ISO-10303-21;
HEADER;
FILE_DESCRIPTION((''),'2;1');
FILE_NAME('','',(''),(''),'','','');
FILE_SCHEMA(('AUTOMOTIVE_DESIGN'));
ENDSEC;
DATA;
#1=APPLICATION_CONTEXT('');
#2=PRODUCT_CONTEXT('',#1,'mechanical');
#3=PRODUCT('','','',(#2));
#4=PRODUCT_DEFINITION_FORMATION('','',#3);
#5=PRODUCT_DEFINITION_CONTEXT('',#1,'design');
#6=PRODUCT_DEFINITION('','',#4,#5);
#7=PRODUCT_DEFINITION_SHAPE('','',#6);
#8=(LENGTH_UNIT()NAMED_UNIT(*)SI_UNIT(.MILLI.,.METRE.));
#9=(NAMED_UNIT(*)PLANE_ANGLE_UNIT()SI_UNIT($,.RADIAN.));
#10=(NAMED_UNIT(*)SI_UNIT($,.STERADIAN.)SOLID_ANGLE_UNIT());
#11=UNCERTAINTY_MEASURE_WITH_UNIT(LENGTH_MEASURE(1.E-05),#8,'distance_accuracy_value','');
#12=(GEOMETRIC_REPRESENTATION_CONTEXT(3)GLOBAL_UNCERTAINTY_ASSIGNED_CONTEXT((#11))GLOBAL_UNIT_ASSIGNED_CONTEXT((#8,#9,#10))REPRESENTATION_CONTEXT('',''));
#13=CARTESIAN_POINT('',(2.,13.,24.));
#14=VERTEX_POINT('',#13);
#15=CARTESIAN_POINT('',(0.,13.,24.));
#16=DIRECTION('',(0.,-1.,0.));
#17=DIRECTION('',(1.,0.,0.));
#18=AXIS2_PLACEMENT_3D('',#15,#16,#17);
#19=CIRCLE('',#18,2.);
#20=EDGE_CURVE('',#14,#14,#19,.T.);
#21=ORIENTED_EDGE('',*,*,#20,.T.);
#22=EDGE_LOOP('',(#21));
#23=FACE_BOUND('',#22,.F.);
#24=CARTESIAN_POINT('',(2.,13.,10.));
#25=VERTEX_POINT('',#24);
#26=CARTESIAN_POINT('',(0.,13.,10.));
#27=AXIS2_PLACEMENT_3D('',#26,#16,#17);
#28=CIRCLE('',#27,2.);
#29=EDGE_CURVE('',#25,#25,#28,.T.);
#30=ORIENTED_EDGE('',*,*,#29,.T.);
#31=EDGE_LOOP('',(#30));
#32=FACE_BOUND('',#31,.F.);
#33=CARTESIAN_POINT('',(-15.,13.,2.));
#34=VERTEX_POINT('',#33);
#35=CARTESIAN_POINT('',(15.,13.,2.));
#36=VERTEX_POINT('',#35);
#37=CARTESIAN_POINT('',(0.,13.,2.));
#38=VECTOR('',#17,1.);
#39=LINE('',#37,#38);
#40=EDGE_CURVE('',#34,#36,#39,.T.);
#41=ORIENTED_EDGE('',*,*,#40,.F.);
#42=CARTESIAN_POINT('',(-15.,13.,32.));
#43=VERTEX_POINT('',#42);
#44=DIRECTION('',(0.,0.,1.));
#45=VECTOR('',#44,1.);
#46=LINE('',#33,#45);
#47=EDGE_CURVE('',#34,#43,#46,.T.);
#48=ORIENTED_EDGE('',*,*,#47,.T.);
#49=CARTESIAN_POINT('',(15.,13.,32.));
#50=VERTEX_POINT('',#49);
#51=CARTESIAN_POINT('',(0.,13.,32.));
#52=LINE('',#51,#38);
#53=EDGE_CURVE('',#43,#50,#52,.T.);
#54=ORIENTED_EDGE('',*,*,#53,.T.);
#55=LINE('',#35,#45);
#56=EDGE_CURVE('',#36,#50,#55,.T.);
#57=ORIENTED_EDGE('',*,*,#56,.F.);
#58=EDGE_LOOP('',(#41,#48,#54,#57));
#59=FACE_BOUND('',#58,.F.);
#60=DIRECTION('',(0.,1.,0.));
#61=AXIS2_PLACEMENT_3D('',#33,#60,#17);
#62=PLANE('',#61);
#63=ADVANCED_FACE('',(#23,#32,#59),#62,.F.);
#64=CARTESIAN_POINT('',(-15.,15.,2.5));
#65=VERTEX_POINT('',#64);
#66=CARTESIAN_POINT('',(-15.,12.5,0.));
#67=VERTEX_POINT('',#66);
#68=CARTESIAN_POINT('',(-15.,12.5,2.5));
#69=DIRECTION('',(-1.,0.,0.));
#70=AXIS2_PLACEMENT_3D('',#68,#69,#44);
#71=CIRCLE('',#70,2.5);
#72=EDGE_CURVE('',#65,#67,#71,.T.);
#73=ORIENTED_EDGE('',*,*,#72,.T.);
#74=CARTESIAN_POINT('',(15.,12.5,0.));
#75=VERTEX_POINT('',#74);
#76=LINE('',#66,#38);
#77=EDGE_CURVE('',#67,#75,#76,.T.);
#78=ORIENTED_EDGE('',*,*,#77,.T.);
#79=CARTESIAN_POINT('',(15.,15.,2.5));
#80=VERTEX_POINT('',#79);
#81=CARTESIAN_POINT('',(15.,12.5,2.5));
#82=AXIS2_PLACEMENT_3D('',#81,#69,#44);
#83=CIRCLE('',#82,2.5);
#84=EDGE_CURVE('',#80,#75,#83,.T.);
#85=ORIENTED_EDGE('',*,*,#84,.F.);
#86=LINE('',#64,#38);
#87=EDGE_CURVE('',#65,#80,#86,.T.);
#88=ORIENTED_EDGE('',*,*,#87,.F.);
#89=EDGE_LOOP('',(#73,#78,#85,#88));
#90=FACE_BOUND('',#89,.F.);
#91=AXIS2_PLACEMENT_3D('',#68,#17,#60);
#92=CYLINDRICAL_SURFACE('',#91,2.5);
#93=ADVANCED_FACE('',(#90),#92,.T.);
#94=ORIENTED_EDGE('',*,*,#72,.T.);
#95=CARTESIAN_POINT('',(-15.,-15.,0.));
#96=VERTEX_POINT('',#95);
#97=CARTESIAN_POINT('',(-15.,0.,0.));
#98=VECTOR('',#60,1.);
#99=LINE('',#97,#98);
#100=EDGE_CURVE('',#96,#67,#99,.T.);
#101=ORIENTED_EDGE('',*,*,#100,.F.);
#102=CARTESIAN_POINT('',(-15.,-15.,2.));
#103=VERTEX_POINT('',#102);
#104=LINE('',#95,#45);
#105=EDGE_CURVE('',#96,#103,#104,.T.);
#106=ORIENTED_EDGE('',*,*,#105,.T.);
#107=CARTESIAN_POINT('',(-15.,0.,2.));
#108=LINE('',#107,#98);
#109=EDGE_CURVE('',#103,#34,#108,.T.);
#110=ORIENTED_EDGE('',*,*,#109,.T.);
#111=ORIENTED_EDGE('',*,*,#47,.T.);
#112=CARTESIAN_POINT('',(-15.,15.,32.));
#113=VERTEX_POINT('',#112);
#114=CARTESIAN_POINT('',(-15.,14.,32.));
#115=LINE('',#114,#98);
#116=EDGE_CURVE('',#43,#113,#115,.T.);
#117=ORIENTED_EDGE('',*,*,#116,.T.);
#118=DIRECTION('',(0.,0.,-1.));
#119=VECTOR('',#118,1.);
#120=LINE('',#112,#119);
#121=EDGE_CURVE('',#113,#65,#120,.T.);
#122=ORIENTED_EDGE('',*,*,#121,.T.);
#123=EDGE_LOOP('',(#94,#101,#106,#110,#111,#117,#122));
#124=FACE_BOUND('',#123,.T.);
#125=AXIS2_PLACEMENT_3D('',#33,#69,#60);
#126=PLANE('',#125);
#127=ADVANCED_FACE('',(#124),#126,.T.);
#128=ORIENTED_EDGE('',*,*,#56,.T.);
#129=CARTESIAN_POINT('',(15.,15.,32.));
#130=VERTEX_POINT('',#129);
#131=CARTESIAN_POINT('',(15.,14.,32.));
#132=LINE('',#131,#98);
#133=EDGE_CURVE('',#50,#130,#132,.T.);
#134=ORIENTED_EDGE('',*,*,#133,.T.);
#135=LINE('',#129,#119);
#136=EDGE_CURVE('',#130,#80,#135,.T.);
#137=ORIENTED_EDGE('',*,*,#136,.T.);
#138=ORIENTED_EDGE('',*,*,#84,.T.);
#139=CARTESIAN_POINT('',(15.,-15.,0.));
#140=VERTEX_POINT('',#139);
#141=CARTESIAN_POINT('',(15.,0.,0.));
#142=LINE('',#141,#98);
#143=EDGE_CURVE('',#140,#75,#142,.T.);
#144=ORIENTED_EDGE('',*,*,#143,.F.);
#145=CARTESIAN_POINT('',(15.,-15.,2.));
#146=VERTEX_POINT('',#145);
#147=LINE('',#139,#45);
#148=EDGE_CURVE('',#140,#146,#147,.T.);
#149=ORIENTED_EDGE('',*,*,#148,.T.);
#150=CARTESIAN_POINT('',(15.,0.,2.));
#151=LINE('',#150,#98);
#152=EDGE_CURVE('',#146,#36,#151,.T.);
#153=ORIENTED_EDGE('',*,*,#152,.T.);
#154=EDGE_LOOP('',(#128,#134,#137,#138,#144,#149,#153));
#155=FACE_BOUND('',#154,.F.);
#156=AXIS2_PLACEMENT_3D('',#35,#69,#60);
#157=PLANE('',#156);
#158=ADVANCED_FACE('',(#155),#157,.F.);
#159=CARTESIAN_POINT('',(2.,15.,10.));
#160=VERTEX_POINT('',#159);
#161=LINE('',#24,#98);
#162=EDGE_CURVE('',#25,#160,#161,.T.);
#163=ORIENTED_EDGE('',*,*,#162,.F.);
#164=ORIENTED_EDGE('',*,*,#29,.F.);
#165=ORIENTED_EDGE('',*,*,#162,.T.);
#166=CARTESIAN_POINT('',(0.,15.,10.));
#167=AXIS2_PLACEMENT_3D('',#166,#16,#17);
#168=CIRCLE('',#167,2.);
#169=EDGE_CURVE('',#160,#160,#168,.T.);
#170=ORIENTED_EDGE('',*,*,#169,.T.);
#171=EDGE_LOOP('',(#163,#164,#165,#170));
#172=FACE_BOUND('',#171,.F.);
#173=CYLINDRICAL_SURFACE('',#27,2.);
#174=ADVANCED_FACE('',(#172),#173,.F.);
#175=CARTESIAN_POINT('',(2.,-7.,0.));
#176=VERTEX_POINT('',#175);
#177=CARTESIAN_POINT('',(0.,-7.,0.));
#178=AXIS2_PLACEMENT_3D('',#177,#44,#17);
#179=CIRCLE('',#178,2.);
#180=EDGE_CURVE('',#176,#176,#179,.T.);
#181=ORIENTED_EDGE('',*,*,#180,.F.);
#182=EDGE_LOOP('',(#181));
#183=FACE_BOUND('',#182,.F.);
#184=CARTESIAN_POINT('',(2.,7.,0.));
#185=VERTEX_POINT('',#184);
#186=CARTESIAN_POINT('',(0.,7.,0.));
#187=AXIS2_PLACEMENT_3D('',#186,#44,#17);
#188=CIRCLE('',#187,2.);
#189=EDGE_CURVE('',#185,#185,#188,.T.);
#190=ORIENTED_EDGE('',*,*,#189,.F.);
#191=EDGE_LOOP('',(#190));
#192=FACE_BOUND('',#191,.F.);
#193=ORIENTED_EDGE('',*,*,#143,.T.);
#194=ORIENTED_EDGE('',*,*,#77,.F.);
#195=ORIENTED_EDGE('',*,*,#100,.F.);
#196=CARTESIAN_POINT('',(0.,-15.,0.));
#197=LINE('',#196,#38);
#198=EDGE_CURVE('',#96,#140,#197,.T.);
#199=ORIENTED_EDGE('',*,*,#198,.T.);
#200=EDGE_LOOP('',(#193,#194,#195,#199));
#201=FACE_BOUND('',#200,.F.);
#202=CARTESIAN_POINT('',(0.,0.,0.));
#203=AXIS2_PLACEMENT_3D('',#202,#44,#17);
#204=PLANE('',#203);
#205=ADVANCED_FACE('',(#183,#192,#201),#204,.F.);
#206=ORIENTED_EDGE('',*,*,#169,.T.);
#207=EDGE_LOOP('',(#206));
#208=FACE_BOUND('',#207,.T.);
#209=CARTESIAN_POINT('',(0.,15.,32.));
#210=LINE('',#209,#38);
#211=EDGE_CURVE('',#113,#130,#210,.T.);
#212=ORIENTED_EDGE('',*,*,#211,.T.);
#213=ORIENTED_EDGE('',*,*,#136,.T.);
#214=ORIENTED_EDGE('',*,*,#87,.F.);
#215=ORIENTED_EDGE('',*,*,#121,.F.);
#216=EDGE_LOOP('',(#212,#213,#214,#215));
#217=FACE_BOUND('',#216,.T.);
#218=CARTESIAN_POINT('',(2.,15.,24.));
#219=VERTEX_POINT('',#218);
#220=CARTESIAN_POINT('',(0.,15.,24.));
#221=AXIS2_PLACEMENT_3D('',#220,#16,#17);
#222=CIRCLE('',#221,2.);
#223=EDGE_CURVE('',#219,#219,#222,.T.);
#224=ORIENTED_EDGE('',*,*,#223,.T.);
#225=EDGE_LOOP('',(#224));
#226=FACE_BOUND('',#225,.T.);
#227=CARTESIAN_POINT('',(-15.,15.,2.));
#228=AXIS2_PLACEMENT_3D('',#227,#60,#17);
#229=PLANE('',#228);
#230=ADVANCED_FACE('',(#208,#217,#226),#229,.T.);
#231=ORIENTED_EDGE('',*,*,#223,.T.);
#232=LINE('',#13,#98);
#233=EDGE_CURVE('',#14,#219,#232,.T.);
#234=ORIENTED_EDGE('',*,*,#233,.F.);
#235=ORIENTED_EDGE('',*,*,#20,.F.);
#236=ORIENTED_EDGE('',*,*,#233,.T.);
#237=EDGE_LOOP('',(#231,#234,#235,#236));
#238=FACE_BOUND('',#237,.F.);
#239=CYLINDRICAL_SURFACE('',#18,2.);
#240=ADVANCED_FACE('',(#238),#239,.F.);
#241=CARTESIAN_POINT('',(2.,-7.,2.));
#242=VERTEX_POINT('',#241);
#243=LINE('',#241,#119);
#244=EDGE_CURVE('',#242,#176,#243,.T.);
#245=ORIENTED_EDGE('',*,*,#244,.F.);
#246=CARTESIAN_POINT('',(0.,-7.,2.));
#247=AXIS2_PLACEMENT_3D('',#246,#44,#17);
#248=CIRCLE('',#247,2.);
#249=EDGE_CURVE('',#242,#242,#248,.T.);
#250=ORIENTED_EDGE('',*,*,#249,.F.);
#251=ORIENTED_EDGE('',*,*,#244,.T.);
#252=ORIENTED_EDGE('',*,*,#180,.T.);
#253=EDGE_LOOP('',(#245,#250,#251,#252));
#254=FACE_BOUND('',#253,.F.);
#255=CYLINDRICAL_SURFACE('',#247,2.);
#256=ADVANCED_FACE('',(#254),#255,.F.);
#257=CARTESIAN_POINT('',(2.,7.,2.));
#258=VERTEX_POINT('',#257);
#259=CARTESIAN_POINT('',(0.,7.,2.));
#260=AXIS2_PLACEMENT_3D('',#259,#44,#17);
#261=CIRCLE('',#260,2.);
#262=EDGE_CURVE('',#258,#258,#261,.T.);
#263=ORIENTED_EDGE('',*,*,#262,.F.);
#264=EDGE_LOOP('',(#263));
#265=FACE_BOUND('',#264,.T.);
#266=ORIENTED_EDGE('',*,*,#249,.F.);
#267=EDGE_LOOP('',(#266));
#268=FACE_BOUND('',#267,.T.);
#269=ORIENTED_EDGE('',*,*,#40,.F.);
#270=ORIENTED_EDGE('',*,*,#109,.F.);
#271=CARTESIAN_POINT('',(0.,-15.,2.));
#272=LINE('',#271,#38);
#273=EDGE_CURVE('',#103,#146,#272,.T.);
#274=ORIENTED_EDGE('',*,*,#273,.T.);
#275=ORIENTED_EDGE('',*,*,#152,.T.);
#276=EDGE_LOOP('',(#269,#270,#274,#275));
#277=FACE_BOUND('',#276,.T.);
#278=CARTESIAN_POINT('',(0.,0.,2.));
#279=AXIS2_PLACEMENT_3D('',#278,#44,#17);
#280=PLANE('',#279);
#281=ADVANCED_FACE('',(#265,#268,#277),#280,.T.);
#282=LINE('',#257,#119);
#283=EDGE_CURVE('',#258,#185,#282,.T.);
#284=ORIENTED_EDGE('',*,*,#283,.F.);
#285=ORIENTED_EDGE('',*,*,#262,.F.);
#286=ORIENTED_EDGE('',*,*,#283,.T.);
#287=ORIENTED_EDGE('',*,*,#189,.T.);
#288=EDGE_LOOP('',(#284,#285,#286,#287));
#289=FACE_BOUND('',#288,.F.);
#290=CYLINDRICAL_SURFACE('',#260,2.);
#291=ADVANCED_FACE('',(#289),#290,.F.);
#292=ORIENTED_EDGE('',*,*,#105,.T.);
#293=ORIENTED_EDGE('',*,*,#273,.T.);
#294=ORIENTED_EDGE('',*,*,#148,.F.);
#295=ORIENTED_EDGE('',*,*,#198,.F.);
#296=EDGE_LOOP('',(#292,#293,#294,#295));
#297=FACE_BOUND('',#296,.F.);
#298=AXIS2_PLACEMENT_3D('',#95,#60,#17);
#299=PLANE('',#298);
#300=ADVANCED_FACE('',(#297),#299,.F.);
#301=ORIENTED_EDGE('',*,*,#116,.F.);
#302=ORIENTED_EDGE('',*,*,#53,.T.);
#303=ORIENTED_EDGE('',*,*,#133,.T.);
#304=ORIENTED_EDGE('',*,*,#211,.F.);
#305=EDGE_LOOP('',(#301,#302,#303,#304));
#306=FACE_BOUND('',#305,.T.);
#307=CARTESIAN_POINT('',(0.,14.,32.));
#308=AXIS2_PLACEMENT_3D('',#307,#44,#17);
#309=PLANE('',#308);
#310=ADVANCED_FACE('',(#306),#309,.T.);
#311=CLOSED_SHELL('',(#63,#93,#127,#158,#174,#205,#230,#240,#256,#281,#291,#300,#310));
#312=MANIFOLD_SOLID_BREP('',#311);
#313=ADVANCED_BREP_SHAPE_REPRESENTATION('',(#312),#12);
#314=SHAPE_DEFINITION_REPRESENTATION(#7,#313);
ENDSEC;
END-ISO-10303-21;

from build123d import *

# Parameters (mm, degrees)
F0_W     = 30
F0_H     = 30
F1_DEPTH = 2
F2_R     = 2
F3_DEPTH = 25
F2_W     = 30
F2_H     = 2
F4_DEPTH = 30
F5_R     = 2
F6_DEPTH = 25
F7_R     = 2.5


with BuildPart() as f1:
    # F0 (on Top) → F1 (new body)
    with BuildSketch(Plane.XY):
        Rectangle(F0_W, F0_H)
    extrude(amount=F1_DEPTH)

    # F2 (on face) → F3 (cut)
    with BuildSketch(Plane.XY.offset(2)):
        with Locations((0, 7)):
            Circle(F2_R)
        with Locations((0, -7)):
            Circle(F2_R)
    extrude(amount=-F3_DEPTH, mode=Mode.SUBTRACT)

    # F2 (on face) → F4 (join)
    with BuildSketch(Plane.XY.offset(2)):
        with Locations((0, 14)):
            Rectangle(F2_W, F2_H)
    extrude(amount=F4_DEPTH)

    # F5 (on face) → F6 (cut)
    with BuildSketch(Plane.XZ.offset(-13)):
        with Locations((0, 24)):
            Circle(F5_R)
        with Locations((0, 10)):
            Circle(F5_R)
    extrude(amount=-F6_DEPTH, mode=Mode.SUBTRACT)

    # F7
    f7_edges = [f1.edges().sort_by_distance(p)[0] for p in [
        (0, 15, 0),
    ]]
    fillet(f7_edges, radius=F7_R)


solid = f1.part
